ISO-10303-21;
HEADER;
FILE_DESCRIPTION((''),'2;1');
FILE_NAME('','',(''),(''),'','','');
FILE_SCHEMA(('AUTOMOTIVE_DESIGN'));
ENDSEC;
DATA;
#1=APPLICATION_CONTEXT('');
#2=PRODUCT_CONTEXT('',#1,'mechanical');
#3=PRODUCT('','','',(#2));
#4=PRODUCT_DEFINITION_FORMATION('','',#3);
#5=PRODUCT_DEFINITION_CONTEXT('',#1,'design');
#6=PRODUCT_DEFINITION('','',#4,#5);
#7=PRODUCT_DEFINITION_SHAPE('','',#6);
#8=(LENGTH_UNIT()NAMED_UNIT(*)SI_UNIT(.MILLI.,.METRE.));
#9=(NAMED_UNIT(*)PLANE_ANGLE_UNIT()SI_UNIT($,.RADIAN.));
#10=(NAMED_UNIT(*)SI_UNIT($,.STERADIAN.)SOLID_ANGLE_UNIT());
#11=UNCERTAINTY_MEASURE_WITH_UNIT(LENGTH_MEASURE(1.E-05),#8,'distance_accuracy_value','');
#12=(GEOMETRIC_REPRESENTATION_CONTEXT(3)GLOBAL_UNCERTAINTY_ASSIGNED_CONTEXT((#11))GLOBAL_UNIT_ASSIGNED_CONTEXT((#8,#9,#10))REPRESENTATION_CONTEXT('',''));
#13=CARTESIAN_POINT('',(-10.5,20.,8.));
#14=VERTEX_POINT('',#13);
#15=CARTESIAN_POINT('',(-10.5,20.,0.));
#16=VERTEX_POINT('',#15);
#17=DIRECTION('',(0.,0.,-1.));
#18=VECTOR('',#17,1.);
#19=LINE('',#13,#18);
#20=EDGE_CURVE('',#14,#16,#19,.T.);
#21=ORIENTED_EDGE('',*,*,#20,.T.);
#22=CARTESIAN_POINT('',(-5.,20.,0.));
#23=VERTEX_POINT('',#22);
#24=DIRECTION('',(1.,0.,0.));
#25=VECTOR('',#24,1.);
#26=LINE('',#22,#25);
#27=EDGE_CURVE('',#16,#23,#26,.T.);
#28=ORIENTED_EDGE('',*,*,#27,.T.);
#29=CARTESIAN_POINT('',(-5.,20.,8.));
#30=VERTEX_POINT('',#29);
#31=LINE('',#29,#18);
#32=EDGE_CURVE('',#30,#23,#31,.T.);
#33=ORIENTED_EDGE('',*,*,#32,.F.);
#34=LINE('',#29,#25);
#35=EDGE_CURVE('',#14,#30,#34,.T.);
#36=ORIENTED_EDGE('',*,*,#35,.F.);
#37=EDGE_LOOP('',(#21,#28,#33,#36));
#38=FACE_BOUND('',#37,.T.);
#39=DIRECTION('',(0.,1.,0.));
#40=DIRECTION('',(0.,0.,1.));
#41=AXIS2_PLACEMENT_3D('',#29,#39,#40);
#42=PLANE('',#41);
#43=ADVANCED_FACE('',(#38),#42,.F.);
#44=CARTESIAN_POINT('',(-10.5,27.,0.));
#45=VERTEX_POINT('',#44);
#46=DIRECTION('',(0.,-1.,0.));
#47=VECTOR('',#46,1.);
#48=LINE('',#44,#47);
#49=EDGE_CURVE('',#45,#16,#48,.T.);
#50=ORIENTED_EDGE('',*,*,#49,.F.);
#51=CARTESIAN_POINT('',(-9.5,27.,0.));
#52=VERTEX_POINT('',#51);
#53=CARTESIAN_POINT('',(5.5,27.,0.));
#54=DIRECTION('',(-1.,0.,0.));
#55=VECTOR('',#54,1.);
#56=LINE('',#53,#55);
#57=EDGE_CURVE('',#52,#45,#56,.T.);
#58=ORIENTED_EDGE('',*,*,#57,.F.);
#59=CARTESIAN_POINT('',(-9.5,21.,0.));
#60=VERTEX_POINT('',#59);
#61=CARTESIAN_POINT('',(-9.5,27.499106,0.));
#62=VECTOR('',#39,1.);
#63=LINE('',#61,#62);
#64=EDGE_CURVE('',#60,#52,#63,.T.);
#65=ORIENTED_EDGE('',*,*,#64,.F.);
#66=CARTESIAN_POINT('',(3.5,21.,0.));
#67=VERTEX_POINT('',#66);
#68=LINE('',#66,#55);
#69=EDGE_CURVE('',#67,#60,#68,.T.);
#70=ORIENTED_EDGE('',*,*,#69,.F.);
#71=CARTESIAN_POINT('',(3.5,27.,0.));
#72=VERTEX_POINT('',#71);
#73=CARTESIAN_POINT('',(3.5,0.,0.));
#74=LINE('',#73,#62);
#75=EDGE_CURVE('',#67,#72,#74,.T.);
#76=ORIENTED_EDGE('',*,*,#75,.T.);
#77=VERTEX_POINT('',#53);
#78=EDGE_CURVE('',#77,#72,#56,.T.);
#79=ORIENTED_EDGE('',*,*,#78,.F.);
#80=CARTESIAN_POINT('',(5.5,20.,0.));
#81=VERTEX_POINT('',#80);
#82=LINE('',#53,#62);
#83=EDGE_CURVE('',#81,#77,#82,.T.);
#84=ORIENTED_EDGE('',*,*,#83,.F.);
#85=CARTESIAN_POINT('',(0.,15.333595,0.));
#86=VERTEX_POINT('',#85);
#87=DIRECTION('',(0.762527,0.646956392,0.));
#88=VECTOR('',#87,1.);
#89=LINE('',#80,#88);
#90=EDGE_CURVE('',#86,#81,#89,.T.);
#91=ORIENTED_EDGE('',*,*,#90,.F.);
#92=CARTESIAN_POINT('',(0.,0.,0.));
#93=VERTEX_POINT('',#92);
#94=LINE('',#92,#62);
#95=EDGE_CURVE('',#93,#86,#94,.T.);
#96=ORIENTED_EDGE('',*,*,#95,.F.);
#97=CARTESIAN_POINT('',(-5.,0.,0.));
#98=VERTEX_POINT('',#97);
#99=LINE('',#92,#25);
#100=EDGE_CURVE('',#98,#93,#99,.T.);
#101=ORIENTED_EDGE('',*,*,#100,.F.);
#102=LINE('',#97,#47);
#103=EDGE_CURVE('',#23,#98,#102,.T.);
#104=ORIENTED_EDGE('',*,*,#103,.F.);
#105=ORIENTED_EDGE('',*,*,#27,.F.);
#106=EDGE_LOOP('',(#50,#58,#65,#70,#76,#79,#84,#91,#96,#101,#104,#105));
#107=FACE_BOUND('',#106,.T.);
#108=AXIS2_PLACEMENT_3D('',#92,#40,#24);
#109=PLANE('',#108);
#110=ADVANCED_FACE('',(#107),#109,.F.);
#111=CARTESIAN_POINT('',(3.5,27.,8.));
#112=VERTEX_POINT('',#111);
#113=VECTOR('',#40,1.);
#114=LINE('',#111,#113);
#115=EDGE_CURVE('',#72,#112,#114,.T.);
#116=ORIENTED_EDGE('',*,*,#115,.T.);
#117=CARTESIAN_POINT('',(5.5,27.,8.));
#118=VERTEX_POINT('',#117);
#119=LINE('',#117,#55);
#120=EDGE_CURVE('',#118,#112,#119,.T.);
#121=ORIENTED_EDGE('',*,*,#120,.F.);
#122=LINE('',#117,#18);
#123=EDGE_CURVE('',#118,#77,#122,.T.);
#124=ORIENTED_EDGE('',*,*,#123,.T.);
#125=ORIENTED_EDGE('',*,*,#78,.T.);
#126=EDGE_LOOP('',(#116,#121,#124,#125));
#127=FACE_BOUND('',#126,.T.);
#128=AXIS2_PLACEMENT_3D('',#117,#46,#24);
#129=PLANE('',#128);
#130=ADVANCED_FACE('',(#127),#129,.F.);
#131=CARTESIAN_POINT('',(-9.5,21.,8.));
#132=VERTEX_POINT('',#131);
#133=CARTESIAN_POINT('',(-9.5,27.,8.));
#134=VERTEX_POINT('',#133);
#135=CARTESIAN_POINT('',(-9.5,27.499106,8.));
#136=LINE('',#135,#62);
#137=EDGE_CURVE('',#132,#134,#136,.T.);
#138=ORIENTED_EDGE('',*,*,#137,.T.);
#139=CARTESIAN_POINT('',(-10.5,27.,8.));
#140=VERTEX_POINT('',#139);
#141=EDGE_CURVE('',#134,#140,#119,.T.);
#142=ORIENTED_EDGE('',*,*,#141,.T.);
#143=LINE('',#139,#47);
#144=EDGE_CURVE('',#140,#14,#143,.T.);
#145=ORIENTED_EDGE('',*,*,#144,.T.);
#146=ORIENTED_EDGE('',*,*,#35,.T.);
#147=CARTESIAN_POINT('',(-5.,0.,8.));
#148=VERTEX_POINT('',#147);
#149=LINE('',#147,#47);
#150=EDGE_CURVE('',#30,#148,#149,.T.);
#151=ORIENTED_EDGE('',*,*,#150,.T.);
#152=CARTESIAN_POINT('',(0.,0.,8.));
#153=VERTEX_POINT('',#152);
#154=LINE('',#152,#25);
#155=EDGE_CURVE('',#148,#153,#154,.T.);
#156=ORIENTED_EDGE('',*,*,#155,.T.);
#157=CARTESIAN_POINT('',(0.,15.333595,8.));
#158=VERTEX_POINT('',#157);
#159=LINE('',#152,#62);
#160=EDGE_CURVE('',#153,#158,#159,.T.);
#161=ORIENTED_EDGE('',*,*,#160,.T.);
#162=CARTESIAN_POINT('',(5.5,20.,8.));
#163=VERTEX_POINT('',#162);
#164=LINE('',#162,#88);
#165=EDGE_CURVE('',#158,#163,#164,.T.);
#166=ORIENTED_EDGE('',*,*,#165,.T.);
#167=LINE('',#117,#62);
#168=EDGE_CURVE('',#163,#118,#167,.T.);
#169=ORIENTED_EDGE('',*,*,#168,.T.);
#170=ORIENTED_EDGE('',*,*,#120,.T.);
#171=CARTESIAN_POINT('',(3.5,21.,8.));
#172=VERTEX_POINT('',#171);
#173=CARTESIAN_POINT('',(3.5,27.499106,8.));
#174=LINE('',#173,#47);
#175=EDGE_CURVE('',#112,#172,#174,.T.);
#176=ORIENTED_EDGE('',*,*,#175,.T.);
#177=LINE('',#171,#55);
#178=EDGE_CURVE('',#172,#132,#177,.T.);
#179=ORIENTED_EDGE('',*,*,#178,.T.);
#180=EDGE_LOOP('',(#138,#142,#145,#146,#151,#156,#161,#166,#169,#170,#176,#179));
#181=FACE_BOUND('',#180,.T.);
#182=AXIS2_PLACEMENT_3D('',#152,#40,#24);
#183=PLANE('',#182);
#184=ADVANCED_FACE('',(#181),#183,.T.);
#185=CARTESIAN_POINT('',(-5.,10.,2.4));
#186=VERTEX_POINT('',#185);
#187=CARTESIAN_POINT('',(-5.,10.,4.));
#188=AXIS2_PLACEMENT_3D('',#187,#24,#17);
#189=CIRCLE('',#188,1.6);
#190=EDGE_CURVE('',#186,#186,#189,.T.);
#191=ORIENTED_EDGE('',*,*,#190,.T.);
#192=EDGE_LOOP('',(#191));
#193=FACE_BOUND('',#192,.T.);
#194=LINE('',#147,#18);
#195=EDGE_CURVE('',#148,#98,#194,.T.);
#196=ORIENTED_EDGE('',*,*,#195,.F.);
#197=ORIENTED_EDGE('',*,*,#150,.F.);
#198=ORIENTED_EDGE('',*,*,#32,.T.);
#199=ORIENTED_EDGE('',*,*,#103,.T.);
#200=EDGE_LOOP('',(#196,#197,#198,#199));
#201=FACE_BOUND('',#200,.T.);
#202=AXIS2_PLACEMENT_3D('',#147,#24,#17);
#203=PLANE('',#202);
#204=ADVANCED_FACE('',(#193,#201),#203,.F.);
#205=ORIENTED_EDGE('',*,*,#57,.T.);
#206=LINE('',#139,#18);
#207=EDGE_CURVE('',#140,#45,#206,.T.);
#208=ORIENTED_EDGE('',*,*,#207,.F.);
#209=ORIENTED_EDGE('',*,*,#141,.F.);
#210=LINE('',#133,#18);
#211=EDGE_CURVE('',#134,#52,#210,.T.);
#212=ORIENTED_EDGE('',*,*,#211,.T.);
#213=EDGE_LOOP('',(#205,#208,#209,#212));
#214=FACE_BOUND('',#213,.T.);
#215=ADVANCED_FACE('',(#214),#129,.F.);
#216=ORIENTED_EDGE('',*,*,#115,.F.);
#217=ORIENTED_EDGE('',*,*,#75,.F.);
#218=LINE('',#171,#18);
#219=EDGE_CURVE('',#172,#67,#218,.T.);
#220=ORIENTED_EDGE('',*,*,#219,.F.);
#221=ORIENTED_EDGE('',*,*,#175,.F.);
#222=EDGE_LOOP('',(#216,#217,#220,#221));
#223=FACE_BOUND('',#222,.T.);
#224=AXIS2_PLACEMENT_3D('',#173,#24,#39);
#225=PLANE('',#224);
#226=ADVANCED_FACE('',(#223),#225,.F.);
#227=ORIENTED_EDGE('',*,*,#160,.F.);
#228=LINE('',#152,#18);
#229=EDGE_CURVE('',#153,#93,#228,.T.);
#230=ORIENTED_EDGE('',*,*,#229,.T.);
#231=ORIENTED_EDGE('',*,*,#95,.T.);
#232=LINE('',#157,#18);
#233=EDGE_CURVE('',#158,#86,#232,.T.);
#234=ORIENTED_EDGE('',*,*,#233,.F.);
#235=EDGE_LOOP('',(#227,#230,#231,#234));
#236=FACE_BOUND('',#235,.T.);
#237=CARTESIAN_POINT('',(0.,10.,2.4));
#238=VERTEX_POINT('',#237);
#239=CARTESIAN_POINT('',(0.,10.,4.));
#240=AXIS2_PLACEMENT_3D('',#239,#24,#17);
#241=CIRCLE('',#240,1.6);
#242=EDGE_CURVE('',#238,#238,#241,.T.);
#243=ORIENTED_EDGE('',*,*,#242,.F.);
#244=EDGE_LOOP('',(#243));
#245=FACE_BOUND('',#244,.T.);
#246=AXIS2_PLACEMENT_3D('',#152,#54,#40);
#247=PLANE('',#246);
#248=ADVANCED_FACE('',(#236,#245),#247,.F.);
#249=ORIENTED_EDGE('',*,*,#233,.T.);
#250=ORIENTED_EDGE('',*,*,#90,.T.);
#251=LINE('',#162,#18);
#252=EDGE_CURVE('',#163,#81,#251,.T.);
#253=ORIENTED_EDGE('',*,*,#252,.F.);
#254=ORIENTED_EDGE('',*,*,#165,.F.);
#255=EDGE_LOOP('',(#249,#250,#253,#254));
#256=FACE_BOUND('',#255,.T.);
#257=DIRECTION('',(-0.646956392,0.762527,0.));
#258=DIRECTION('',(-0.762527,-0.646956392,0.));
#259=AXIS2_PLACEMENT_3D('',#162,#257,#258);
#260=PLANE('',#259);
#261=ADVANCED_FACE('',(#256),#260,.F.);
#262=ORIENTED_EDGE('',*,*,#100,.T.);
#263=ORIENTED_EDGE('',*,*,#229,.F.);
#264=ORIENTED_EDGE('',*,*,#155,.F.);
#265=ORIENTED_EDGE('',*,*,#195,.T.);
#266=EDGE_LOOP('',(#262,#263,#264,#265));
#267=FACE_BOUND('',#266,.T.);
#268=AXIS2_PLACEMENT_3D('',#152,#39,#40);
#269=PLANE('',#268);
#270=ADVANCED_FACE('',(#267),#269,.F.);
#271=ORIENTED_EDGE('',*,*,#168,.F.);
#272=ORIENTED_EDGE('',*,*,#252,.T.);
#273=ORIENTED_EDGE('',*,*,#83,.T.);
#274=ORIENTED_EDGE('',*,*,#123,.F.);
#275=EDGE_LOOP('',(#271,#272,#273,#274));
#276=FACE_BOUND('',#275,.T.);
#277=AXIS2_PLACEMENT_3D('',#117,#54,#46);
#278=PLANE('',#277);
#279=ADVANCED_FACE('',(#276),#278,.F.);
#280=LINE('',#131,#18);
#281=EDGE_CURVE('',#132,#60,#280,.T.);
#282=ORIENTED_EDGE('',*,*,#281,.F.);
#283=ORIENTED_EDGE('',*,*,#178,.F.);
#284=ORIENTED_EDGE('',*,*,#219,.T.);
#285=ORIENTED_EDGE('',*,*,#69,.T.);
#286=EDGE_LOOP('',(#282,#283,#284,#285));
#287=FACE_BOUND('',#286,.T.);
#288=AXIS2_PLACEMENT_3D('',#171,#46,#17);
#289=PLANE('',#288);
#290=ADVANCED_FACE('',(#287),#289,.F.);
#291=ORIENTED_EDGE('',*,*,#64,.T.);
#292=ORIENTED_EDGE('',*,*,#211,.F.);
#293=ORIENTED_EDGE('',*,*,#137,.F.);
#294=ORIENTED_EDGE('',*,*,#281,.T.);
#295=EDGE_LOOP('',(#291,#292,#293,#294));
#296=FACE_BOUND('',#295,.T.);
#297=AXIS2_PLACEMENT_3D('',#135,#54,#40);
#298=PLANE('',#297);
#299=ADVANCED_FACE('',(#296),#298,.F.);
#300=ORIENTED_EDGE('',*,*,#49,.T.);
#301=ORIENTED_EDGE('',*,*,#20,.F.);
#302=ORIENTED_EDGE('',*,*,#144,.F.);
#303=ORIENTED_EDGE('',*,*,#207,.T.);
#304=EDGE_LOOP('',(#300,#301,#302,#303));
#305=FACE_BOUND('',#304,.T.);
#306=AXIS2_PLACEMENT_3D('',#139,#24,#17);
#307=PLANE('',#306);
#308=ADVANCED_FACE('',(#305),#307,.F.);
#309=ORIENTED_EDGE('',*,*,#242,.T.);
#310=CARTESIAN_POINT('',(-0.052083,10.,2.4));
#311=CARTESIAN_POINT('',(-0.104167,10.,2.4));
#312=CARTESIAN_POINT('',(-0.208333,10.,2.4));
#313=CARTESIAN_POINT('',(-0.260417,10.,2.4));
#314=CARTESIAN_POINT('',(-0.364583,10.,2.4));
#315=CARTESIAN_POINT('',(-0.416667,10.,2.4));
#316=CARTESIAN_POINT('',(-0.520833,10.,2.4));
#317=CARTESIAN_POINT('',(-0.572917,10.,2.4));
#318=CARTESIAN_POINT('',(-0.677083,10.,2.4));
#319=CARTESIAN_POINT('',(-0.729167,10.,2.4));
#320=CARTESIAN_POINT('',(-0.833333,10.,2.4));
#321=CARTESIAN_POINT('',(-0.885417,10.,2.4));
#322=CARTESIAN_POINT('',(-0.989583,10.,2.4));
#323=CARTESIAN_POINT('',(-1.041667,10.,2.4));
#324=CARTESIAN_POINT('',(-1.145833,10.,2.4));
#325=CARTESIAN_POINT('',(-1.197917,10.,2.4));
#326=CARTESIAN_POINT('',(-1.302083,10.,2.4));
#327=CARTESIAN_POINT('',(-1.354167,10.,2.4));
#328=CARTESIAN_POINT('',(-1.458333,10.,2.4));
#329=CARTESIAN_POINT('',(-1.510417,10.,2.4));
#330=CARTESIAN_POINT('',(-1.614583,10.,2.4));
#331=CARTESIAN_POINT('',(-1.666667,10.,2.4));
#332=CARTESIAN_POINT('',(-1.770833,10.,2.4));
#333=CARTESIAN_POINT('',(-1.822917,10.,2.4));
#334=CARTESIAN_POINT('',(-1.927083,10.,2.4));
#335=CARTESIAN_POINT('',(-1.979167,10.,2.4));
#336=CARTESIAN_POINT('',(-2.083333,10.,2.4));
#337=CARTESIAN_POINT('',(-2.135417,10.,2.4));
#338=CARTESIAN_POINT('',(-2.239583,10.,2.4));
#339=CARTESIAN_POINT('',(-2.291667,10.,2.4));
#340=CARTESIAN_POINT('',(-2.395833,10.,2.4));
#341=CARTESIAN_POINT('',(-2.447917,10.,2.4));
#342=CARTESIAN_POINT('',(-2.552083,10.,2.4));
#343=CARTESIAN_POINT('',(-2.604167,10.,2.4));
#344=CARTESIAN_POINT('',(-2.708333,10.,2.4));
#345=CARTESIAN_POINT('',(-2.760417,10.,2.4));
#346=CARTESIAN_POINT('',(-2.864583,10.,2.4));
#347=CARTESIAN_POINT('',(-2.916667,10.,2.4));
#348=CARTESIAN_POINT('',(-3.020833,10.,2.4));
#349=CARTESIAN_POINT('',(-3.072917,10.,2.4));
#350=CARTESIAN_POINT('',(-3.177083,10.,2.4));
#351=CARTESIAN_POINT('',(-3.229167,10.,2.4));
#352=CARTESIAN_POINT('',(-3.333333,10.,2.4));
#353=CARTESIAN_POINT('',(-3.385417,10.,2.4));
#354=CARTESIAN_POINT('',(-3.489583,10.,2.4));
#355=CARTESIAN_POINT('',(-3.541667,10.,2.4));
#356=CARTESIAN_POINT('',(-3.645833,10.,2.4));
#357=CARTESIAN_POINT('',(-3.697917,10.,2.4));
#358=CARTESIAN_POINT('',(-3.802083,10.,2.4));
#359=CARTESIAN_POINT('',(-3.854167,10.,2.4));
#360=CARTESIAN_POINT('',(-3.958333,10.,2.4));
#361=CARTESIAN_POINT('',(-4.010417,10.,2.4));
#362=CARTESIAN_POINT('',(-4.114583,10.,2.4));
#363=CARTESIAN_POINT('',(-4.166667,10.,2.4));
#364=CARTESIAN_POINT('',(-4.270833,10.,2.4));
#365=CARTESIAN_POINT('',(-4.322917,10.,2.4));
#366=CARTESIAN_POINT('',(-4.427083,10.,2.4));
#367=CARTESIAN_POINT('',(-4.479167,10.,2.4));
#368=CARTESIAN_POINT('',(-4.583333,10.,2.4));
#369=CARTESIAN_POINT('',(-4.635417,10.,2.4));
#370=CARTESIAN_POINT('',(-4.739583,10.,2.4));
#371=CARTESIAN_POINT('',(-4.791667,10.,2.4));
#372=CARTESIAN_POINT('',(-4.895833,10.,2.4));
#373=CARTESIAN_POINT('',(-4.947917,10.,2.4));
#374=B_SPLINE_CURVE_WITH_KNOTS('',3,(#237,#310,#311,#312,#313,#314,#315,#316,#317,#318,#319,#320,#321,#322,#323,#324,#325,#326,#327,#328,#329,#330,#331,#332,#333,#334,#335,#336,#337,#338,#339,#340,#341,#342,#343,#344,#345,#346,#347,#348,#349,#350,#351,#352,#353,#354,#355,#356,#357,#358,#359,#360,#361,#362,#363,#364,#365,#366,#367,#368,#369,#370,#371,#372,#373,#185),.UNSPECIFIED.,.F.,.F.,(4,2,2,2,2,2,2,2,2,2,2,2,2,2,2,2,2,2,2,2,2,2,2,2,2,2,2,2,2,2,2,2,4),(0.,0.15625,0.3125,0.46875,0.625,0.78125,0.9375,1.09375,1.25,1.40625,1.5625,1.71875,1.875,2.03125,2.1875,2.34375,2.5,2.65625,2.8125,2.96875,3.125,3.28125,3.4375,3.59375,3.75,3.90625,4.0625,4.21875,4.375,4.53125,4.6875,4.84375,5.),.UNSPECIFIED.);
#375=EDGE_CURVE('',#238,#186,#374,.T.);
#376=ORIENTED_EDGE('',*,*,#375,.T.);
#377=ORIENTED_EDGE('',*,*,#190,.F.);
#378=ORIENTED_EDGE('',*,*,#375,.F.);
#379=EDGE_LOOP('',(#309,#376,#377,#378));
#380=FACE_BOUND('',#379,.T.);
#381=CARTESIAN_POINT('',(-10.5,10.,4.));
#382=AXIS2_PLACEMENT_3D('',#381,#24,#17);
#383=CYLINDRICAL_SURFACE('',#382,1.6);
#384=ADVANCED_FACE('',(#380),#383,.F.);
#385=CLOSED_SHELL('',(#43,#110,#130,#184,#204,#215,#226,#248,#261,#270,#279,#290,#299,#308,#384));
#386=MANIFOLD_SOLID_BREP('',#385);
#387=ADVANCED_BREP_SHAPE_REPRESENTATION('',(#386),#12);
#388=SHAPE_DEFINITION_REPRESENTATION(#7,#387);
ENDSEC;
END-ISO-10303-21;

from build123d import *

# Parameters (mm, degrees)
EXTRUDE_4_DEPTH     = 8
SKETCH_7_W          = 13
SKETCH_7_H          = 6.499106166
CUT_EXTRUDE_3_DEPTH = 31.054117854
SKETCH_8_R          = 1.6
CUT_EXTRUDE_4_DEPTH = 31.054117854


with BuildPart() as part:
    # 草图6 → 凸台-拉伸4 (new body)
    with BuildSketch(Plane.XY):
        Polygon((-5, 20), (-10.5, 20), (-10.5, 27), (5.5, 27), (5.5, 20), (0, 15.33359454), (0, 0), (-5, 0), align=None)
    extrude(amount=EXTRUDE_4_DEPTH)

    # 草图7 → 切除-拉伸3 (cut, through all)
    with BuildSketch(Plane(origin=(0, 0, 0), x_dir=(-1, 0, 0), z_dir=(0, 0, -1))):
        with Locations((3, 24.249553083)):
            Rectangle(SKETCH_7_W, SKETCH_7_H)
    extrude(amount=-CUT_EXTRUDE_3_DEPTH, mode=Mode.SUBTRACT)

    # 草图8 → 切除-拉伸4 (cut, through all)
    with BuildSketch(Plane(origin=(0, 0, 0), x_dir=(0, 0, -1), z_dir=(1, 0, 0))):
        with Locations((-4, 10)):
            Circle(SKETCH_8_R)
    extrude(amount=-CUT_EXTRUDE_4_DEPTH, mode=Mode.SUBTRACT)


solid = part.part
